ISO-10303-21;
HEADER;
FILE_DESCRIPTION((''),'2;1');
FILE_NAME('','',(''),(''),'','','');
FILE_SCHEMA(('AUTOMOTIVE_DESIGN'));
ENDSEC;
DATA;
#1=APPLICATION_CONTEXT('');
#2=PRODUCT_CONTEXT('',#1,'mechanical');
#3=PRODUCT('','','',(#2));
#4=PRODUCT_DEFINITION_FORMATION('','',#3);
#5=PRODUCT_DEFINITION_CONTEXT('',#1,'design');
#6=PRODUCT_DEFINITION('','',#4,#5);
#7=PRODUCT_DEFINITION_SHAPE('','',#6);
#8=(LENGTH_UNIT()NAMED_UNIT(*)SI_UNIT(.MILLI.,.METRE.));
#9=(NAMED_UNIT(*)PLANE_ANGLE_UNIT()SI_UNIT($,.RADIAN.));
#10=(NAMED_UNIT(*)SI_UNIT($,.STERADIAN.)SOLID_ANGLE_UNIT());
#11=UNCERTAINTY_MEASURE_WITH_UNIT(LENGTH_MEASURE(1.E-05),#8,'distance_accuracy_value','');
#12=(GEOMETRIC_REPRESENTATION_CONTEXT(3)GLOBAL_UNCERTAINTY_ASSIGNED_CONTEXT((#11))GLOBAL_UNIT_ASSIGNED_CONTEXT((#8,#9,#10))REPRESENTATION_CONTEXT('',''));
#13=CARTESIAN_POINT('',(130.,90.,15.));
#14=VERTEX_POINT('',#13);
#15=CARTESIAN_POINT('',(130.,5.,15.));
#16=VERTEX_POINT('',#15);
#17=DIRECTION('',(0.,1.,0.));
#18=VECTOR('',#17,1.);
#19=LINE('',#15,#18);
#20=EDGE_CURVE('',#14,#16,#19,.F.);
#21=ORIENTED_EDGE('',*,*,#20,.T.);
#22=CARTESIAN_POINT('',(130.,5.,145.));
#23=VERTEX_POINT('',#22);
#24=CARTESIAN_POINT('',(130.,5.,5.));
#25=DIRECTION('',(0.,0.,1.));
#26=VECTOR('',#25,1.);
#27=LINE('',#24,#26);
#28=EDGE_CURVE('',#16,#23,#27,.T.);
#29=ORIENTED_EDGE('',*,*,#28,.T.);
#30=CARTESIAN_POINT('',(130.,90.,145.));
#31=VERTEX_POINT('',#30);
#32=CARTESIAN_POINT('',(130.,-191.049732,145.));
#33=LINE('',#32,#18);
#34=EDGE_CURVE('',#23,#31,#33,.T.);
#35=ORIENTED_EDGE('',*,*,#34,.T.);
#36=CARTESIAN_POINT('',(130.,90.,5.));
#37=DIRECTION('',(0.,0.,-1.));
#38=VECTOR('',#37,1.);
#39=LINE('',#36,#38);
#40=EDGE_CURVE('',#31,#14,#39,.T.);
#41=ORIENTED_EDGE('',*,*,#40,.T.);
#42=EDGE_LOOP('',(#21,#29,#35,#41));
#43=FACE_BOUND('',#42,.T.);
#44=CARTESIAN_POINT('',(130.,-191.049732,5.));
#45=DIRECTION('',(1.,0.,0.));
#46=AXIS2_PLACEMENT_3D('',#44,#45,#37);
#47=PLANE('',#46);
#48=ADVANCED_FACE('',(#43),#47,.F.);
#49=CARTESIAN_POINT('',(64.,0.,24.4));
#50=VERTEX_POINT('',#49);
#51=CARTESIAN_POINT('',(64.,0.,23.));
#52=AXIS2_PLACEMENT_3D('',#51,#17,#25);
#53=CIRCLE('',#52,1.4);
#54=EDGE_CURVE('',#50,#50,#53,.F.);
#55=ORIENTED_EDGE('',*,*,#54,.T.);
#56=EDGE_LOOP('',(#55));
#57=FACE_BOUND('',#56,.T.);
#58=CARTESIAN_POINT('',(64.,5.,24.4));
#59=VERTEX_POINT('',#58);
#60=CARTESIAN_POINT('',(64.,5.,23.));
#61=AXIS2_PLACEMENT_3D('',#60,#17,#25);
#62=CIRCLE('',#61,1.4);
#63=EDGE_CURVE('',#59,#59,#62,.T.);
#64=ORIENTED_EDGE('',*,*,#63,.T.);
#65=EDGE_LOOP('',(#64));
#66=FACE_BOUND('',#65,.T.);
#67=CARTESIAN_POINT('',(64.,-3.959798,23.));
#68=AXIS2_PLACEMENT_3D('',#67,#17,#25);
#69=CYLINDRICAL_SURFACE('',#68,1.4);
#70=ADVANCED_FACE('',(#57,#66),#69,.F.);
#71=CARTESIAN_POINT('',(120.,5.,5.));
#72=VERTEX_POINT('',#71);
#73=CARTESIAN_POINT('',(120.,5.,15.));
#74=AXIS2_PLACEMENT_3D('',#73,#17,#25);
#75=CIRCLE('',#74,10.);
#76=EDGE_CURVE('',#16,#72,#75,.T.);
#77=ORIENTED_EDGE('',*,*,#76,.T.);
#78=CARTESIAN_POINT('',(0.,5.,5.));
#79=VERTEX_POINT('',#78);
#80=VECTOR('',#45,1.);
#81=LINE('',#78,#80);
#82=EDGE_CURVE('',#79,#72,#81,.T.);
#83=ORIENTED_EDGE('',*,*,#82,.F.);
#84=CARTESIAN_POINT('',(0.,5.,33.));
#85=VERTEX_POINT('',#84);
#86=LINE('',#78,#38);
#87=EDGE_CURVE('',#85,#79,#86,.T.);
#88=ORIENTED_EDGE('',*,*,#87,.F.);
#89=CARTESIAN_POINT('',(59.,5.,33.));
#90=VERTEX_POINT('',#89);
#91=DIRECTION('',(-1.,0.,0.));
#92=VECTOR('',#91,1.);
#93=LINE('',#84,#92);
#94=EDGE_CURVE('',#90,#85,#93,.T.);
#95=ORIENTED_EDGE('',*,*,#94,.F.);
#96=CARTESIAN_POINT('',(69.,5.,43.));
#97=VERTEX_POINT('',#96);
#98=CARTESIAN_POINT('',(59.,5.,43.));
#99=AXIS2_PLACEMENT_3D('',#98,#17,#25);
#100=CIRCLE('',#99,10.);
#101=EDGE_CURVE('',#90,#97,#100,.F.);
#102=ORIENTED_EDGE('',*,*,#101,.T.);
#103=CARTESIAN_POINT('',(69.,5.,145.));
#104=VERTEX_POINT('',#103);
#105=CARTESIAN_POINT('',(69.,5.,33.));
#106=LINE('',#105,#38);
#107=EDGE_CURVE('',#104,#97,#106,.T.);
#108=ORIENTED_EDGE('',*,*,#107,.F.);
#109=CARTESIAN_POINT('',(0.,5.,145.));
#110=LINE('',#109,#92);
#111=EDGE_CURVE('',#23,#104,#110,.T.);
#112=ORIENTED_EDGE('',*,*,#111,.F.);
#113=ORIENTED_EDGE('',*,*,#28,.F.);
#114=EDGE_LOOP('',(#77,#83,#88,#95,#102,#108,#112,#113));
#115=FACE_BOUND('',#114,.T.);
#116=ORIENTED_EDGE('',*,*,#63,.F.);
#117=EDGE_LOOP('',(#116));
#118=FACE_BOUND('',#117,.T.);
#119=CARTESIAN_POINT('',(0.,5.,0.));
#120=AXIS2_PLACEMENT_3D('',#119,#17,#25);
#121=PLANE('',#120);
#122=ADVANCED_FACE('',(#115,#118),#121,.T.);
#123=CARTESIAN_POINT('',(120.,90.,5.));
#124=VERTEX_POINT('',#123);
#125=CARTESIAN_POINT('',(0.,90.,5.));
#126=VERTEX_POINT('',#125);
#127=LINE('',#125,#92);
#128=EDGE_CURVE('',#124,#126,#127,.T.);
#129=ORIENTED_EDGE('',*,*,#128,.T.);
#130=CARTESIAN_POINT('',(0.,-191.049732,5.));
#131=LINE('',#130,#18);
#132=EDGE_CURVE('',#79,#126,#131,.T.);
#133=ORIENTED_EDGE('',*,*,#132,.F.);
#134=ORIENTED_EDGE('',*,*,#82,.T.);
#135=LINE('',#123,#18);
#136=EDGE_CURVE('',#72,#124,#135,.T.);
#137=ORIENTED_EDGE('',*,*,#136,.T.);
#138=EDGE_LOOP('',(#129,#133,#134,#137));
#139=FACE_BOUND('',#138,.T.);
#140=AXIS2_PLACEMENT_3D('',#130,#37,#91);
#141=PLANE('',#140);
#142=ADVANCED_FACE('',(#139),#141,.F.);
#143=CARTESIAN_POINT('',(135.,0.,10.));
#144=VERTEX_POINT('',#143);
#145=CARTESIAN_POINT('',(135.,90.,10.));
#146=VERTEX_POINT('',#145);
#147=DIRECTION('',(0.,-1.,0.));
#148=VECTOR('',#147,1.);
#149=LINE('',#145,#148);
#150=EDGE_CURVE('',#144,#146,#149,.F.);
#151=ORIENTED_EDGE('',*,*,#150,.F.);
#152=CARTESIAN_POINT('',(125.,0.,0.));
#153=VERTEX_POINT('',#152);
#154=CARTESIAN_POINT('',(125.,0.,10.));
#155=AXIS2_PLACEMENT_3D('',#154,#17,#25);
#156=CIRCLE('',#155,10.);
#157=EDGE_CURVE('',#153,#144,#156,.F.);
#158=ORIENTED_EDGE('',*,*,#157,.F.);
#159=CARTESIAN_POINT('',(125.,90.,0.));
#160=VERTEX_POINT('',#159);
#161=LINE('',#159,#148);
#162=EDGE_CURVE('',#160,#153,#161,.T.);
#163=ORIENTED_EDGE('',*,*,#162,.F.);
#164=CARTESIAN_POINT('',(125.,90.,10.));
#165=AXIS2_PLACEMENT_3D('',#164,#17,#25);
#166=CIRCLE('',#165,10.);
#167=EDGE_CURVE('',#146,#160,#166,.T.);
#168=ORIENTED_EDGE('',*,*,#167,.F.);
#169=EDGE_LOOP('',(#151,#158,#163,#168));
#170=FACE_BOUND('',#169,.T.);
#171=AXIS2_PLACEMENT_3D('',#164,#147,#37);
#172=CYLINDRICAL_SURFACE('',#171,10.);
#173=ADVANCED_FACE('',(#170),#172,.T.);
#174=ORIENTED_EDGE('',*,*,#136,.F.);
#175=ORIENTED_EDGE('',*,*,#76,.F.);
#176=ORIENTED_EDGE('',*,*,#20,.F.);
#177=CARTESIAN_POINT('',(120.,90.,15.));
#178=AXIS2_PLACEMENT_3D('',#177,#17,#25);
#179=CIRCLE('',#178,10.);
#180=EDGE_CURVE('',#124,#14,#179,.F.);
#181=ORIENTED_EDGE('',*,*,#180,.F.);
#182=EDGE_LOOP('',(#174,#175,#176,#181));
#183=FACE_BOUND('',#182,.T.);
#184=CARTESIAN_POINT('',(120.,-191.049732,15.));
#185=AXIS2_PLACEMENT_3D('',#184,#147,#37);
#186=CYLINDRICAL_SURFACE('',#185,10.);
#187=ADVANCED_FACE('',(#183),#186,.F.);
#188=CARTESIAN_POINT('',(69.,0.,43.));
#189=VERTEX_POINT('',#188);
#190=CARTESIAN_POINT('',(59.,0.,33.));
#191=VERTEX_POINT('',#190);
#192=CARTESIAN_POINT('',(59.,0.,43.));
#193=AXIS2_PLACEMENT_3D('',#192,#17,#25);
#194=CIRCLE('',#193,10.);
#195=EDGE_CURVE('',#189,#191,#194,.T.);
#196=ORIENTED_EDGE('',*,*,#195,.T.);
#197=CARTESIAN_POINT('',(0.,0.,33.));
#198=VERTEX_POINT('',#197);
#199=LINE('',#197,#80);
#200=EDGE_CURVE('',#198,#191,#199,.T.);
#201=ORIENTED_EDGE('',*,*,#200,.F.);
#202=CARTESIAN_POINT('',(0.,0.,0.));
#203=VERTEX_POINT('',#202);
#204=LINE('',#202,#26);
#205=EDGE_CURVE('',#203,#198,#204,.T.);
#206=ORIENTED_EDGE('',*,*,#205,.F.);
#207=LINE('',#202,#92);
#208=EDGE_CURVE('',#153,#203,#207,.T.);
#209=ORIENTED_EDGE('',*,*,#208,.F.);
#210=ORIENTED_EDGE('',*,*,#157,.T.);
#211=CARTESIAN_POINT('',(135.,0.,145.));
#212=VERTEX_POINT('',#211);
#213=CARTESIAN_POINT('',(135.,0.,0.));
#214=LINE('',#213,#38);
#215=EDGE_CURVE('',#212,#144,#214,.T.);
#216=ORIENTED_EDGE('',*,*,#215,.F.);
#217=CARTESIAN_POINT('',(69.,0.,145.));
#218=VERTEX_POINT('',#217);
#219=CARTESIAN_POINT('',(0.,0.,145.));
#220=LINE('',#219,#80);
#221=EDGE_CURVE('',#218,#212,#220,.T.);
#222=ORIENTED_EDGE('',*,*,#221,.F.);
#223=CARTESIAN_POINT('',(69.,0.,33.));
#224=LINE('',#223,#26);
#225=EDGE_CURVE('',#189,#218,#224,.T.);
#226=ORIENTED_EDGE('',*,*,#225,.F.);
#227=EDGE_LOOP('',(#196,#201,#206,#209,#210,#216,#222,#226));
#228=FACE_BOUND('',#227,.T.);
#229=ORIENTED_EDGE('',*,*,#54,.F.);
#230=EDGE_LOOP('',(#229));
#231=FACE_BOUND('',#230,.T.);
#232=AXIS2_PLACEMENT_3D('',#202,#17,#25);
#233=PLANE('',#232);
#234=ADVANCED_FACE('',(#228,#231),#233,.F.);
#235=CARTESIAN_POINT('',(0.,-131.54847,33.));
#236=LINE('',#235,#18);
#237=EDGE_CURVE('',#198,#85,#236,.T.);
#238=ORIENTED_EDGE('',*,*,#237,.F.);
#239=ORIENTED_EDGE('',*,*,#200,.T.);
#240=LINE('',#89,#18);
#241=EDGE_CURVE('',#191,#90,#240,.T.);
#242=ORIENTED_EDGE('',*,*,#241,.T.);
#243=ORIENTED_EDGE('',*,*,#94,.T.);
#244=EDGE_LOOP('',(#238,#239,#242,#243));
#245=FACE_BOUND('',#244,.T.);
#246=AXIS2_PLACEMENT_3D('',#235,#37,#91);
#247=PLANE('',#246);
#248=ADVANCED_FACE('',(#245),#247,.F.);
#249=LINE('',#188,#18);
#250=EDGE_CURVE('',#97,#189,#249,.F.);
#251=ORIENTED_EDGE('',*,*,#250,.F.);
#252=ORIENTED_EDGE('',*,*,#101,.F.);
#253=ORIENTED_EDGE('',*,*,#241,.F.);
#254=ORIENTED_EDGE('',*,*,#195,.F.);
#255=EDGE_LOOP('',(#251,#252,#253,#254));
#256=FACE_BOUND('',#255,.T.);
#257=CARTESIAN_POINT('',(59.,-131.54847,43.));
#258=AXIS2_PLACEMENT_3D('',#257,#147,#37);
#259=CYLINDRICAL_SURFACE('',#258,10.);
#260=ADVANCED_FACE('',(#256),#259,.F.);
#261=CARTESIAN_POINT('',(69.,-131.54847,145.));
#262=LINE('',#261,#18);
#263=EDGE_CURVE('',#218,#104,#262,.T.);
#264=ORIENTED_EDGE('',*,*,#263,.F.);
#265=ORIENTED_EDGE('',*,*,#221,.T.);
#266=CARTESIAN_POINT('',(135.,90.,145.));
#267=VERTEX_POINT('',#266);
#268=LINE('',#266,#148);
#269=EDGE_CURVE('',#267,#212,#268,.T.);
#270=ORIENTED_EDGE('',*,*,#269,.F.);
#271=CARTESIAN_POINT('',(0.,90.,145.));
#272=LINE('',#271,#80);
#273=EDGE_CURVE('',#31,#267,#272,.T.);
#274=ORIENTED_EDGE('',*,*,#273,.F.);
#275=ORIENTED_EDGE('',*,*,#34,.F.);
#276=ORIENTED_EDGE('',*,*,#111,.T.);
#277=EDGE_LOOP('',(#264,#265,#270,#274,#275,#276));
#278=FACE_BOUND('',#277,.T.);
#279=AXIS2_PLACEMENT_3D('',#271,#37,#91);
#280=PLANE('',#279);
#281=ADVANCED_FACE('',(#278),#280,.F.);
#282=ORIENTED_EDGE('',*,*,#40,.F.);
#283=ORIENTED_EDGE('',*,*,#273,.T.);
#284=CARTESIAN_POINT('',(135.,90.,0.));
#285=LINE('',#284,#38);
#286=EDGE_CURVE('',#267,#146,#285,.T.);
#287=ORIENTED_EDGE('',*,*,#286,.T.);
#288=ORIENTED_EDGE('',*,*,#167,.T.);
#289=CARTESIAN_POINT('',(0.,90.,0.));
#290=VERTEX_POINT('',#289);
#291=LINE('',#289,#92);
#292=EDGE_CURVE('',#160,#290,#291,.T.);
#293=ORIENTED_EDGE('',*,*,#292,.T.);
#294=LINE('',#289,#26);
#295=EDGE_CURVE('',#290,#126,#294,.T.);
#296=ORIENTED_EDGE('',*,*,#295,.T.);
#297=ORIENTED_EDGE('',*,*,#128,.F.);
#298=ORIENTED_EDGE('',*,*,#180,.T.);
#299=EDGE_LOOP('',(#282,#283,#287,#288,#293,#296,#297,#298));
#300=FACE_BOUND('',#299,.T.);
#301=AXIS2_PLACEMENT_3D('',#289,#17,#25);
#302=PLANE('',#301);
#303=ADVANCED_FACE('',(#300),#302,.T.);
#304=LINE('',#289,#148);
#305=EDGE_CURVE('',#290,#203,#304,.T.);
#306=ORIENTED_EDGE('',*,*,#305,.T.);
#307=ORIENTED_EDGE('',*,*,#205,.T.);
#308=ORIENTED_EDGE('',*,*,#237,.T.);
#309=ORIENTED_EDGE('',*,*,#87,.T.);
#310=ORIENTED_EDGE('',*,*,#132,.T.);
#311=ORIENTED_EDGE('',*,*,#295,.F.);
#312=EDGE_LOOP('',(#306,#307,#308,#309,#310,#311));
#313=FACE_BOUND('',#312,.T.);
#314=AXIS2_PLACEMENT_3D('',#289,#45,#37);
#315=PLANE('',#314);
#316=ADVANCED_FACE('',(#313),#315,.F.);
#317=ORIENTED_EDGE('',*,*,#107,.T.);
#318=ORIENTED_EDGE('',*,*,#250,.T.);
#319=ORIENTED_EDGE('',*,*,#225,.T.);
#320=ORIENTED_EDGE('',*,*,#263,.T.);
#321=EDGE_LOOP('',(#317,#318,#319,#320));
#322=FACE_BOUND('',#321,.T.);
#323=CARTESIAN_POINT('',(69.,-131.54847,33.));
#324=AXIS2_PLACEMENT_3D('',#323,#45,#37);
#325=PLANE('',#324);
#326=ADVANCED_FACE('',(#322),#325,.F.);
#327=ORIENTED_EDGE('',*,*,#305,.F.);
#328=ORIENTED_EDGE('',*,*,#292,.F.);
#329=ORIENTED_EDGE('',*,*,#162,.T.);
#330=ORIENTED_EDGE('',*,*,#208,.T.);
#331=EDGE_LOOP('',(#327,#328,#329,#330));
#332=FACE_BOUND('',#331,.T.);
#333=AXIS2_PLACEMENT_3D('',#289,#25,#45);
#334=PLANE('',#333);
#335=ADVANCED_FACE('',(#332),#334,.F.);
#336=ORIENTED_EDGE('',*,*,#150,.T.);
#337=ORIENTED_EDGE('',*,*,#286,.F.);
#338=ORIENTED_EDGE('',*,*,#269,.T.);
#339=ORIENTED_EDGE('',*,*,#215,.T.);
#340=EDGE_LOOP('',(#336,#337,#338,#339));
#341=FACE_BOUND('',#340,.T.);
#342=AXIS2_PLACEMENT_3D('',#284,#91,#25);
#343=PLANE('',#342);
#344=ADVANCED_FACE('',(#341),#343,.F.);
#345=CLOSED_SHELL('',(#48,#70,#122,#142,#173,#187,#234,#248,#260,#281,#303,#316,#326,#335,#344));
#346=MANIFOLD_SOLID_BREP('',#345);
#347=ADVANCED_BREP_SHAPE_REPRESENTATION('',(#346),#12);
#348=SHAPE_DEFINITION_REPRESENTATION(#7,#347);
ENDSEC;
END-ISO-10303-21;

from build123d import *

# Parameters (mm, degrees)
SKETCH_1_W          = 135
SKETCH_1_H          = 145
EXTRUDE_1_DEPTH     = 90
SKETCH_2_W          = 130
SKETCH_2_H          = 140
CUT_EXTRUDE_1_DEPTH = 85
SKETCH_3_W          = 69
SKETCH_3_H          = 112
CUT_EXTRUDE_2_DEPTH = 5
SKETCH_4_R          = 1.4
CUT_EXTRUDE_3_DEPTH = 5
FILLET_1_R          = 10


with BuildPart() as part:
    # 草图1 → 凸台-拉伸1 (new body)
    with BuildSketch(Plane(origin=(0, 0, 0), x_dir=(1, 0, 0), z_dir=(0, 1, 0))):
        with Locations((67.5, -72.5)):
            Rectangle(SKETCH_1_W, SKETCH_1_H)
    extrude(amount=EXTRUDE_1_DEPTH)

    # 草图2 → 切除-拉伸1 (cut)
    with BuildSketch(Plane(origin=(0, 90, 0), x_dir=(1, 0, 0), z_dir=(0, 1, 0))):
        with Locations((65, -75)):
            Rectangle(SKETCH_2_W, SKETCH_2_H)
    extrude(amount=-CUT_EXTRUDE_1_DEPTH, mode=Mode.SUBTRACT)

    # 草图3 → 切除-拉伸2 (cut)
    with BuildSketch(Plane(origin=(0, 5, 0), x_dir=(1, 0, 0), z_dir=(0, 1, 0))):
        with Locations((34.5, -89)):
            Rectangle(SKETCH_3_W, SKETCH_3_H)
    extrude(amount=-CUT_EXTRUDE_2_DEPTH, mode=Mode.SUBTRACT)

    # 草图4 → 切除-拉伸3 (cut)
    with BuildSketch(Plane(origin=(0, 5, 0), x_dir=(1, 0, 0), z_dir=(0, 1, 0))):
        with Locations(Location((64, -23, 0), (0, 0, 270))):
            Circle(SKETCH_4_R)
    extrude(amount=-CUT_EXTRUDE_3_DEPTH, mode=Mode.SUBTRACT)

    # 圆角1
    fillet_1_edges = [part.edges().sort_by_distance(p)[0] for p in [
        (130, 47.5, 5),
        (69, 2.5, 33),
        (135, 45, 0),
    ]]
    fillet(fillet_1_edges, radius=FILLET_1_R)


solid = part.part
